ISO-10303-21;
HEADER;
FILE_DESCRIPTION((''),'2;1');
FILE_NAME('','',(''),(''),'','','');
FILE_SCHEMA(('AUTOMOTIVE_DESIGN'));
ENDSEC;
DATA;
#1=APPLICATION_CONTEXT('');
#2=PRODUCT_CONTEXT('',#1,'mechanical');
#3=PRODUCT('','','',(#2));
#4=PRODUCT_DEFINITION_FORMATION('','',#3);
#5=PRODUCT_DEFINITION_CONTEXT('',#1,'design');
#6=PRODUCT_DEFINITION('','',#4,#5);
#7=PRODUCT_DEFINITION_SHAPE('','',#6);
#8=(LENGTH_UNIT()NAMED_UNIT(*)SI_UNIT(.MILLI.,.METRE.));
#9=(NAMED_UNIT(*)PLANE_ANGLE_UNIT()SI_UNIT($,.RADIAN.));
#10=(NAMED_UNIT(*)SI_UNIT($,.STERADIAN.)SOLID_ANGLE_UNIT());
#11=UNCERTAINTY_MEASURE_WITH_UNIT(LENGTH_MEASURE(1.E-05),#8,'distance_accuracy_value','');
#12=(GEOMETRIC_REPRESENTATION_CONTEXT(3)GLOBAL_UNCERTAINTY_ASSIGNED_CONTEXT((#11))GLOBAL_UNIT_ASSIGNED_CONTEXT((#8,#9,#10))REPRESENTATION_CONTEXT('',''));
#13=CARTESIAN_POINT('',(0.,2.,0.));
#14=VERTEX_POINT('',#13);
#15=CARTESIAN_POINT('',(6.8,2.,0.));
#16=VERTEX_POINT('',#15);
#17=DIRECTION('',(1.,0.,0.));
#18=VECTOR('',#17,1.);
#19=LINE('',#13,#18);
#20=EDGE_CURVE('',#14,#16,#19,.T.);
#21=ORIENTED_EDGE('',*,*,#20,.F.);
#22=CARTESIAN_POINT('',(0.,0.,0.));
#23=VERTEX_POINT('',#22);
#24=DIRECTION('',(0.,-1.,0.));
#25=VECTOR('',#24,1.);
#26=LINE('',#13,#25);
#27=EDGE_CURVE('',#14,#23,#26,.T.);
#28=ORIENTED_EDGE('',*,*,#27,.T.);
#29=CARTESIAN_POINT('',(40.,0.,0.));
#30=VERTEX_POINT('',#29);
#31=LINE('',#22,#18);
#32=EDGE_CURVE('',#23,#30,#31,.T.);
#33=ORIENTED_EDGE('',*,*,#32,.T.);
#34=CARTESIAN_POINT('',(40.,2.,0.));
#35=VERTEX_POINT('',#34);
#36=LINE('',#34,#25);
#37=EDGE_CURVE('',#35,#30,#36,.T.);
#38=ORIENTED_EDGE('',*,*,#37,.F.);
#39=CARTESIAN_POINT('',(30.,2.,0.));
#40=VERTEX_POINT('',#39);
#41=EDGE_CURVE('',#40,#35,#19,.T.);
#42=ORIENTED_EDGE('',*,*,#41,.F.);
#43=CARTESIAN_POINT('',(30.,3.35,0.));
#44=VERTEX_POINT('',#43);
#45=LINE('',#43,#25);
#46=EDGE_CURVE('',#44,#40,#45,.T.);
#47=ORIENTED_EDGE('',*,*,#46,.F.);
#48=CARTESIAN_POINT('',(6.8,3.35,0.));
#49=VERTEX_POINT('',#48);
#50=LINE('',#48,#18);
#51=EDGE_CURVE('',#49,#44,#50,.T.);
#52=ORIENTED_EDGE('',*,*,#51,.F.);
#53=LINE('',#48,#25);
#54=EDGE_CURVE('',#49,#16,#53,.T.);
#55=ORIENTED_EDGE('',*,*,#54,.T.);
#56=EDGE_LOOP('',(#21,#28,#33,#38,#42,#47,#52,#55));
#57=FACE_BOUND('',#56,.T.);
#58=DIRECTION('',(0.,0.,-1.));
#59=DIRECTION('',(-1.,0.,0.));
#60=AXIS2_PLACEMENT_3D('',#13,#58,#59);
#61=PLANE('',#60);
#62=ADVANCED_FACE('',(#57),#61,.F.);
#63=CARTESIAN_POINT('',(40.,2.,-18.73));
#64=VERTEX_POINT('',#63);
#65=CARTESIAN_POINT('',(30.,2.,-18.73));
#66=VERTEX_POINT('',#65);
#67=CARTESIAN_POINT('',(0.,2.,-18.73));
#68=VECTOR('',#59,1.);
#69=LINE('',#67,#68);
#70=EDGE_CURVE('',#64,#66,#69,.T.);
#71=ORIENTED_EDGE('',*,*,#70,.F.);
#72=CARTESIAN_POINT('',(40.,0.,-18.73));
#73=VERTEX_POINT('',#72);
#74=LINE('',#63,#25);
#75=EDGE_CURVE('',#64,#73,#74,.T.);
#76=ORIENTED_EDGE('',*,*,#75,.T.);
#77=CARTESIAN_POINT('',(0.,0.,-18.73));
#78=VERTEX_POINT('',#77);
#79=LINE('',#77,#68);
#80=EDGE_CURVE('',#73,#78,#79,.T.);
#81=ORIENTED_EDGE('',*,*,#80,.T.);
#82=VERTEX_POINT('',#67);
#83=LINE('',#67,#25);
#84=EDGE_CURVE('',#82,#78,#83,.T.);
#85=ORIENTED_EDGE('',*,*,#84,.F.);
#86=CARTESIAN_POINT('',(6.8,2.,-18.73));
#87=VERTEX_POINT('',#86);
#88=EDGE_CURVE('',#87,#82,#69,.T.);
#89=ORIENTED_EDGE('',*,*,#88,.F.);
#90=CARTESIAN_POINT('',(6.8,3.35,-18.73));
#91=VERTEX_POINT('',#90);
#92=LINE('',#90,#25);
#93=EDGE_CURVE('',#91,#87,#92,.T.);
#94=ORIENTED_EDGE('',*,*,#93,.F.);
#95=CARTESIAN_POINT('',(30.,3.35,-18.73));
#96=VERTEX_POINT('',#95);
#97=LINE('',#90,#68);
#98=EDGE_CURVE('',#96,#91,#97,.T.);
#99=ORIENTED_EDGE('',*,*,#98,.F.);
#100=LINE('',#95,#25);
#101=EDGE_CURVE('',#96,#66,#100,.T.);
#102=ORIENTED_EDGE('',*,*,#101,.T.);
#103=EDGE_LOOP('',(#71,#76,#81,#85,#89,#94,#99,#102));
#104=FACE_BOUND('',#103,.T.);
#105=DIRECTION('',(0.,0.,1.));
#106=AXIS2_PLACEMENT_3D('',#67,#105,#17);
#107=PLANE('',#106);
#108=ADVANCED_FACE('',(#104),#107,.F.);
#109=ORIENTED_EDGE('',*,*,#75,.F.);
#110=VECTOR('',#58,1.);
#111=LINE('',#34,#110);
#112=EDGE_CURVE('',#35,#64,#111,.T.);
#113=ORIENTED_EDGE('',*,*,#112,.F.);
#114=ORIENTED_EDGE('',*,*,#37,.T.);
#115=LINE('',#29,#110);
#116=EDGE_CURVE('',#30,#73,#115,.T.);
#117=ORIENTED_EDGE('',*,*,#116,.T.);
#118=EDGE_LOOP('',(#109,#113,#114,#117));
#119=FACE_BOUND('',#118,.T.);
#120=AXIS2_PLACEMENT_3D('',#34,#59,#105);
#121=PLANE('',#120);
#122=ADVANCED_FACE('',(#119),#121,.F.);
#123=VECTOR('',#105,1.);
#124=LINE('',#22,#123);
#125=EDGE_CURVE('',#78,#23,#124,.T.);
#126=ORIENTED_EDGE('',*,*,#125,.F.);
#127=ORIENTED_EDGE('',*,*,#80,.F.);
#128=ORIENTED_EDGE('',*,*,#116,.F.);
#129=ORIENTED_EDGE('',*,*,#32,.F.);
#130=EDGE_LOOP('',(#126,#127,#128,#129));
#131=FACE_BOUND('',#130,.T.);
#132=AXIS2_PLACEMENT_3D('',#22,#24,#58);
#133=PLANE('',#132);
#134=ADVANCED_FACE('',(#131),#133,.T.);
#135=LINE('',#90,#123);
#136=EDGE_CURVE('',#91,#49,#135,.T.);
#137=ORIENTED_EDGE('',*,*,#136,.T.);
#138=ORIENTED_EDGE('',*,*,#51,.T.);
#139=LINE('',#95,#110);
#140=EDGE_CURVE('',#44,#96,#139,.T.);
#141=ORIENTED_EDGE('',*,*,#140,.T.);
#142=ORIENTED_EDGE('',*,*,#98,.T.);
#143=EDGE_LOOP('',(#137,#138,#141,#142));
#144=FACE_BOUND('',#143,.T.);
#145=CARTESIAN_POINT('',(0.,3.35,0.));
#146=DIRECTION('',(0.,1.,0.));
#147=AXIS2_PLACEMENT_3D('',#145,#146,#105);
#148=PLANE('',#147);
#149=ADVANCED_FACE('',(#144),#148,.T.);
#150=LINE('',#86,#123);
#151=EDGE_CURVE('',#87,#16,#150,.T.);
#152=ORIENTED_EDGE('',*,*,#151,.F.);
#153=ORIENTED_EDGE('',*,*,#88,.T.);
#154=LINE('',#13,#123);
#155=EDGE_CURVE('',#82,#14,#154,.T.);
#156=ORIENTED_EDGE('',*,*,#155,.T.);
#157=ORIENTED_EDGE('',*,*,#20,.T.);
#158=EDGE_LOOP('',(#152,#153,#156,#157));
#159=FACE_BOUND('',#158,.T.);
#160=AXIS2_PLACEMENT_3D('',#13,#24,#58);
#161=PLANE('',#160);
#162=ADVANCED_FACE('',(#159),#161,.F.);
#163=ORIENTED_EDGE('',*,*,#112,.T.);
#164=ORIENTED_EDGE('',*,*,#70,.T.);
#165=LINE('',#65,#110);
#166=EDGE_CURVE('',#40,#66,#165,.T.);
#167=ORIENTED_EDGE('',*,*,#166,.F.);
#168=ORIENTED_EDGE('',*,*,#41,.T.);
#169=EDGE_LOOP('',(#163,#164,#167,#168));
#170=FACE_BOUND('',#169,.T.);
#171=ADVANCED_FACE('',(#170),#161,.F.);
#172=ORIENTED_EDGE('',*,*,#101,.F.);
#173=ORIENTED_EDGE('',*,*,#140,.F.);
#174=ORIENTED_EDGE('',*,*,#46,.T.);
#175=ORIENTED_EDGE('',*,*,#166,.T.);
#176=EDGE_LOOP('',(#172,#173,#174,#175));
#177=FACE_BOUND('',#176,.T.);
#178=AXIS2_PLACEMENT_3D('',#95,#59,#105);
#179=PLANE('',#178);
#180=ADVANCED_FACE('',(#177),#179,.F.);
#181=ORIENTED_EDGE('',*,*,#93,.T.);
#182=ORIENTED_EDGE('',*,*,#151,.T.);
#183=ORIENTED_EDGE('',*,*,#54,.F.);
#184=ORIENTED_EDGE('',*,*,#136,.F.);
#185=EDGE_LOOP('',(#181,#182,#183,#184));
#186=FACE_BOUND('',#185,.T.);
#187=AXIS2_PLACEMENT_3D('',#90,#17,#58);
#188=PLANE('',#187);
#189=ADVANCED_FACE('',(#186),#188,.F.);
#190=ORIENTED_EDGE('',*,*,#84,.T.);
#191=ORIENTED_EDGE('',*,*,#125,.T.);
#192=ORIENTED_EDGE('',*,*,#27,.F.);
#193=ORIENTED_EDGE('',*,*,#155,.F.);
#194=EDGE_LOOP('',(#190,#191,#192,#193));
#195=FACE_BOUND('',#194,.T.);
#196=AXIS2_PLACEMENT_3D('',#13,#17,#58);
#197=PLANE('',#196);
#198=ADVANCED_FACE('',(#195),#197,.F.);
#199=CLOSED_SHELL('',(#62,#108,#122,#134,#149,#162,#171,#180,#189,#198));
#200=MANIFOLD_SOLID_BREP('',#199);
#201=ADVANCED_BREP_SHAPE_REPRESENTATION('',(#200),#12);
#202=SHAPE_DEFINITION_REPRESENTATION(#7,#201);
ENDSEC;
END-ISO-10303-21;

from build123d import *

# Parameters (mm, degrees)
SKETCH1_W           = 40
SKETCH1_H           = 18.73
BOSS_EXTRUDE1_DEPTH = 2
SKETCH2_W           = 23.2
SKETCH2_H           = 18.73
BOSS_EXTRUDE2_DEPTH = 1.35


with BuildPart() as part:
    # Sketch1 → Boss-Extrude1 (new body)
    with BuildSketch(Plane(origin=(0, 0, 0), x_dir=(1, 0, 0), z_dir=(0, 1, 0))):
        with Locations((20, 9.365)):
            Rectangle(SKETCH1_W, SKETCH1_H)
    extrude(amount=BOSS_EXTRUDE1_DEPTH)

    # Sketch2 → Boss-Extrude2 (add)
    with BuildSketch(Plane(origin=(0, 2, 0), x_dir=(1, 0, 0), z_dir=(0, 1, 0))):
        with Locations((18.4, 9.365)):
            Rectangle(SKETCH2_W, SKETCH2_H)
    extrude(amount=BOSS_EXTRUDE2_DEPTH)


solid = part.part
